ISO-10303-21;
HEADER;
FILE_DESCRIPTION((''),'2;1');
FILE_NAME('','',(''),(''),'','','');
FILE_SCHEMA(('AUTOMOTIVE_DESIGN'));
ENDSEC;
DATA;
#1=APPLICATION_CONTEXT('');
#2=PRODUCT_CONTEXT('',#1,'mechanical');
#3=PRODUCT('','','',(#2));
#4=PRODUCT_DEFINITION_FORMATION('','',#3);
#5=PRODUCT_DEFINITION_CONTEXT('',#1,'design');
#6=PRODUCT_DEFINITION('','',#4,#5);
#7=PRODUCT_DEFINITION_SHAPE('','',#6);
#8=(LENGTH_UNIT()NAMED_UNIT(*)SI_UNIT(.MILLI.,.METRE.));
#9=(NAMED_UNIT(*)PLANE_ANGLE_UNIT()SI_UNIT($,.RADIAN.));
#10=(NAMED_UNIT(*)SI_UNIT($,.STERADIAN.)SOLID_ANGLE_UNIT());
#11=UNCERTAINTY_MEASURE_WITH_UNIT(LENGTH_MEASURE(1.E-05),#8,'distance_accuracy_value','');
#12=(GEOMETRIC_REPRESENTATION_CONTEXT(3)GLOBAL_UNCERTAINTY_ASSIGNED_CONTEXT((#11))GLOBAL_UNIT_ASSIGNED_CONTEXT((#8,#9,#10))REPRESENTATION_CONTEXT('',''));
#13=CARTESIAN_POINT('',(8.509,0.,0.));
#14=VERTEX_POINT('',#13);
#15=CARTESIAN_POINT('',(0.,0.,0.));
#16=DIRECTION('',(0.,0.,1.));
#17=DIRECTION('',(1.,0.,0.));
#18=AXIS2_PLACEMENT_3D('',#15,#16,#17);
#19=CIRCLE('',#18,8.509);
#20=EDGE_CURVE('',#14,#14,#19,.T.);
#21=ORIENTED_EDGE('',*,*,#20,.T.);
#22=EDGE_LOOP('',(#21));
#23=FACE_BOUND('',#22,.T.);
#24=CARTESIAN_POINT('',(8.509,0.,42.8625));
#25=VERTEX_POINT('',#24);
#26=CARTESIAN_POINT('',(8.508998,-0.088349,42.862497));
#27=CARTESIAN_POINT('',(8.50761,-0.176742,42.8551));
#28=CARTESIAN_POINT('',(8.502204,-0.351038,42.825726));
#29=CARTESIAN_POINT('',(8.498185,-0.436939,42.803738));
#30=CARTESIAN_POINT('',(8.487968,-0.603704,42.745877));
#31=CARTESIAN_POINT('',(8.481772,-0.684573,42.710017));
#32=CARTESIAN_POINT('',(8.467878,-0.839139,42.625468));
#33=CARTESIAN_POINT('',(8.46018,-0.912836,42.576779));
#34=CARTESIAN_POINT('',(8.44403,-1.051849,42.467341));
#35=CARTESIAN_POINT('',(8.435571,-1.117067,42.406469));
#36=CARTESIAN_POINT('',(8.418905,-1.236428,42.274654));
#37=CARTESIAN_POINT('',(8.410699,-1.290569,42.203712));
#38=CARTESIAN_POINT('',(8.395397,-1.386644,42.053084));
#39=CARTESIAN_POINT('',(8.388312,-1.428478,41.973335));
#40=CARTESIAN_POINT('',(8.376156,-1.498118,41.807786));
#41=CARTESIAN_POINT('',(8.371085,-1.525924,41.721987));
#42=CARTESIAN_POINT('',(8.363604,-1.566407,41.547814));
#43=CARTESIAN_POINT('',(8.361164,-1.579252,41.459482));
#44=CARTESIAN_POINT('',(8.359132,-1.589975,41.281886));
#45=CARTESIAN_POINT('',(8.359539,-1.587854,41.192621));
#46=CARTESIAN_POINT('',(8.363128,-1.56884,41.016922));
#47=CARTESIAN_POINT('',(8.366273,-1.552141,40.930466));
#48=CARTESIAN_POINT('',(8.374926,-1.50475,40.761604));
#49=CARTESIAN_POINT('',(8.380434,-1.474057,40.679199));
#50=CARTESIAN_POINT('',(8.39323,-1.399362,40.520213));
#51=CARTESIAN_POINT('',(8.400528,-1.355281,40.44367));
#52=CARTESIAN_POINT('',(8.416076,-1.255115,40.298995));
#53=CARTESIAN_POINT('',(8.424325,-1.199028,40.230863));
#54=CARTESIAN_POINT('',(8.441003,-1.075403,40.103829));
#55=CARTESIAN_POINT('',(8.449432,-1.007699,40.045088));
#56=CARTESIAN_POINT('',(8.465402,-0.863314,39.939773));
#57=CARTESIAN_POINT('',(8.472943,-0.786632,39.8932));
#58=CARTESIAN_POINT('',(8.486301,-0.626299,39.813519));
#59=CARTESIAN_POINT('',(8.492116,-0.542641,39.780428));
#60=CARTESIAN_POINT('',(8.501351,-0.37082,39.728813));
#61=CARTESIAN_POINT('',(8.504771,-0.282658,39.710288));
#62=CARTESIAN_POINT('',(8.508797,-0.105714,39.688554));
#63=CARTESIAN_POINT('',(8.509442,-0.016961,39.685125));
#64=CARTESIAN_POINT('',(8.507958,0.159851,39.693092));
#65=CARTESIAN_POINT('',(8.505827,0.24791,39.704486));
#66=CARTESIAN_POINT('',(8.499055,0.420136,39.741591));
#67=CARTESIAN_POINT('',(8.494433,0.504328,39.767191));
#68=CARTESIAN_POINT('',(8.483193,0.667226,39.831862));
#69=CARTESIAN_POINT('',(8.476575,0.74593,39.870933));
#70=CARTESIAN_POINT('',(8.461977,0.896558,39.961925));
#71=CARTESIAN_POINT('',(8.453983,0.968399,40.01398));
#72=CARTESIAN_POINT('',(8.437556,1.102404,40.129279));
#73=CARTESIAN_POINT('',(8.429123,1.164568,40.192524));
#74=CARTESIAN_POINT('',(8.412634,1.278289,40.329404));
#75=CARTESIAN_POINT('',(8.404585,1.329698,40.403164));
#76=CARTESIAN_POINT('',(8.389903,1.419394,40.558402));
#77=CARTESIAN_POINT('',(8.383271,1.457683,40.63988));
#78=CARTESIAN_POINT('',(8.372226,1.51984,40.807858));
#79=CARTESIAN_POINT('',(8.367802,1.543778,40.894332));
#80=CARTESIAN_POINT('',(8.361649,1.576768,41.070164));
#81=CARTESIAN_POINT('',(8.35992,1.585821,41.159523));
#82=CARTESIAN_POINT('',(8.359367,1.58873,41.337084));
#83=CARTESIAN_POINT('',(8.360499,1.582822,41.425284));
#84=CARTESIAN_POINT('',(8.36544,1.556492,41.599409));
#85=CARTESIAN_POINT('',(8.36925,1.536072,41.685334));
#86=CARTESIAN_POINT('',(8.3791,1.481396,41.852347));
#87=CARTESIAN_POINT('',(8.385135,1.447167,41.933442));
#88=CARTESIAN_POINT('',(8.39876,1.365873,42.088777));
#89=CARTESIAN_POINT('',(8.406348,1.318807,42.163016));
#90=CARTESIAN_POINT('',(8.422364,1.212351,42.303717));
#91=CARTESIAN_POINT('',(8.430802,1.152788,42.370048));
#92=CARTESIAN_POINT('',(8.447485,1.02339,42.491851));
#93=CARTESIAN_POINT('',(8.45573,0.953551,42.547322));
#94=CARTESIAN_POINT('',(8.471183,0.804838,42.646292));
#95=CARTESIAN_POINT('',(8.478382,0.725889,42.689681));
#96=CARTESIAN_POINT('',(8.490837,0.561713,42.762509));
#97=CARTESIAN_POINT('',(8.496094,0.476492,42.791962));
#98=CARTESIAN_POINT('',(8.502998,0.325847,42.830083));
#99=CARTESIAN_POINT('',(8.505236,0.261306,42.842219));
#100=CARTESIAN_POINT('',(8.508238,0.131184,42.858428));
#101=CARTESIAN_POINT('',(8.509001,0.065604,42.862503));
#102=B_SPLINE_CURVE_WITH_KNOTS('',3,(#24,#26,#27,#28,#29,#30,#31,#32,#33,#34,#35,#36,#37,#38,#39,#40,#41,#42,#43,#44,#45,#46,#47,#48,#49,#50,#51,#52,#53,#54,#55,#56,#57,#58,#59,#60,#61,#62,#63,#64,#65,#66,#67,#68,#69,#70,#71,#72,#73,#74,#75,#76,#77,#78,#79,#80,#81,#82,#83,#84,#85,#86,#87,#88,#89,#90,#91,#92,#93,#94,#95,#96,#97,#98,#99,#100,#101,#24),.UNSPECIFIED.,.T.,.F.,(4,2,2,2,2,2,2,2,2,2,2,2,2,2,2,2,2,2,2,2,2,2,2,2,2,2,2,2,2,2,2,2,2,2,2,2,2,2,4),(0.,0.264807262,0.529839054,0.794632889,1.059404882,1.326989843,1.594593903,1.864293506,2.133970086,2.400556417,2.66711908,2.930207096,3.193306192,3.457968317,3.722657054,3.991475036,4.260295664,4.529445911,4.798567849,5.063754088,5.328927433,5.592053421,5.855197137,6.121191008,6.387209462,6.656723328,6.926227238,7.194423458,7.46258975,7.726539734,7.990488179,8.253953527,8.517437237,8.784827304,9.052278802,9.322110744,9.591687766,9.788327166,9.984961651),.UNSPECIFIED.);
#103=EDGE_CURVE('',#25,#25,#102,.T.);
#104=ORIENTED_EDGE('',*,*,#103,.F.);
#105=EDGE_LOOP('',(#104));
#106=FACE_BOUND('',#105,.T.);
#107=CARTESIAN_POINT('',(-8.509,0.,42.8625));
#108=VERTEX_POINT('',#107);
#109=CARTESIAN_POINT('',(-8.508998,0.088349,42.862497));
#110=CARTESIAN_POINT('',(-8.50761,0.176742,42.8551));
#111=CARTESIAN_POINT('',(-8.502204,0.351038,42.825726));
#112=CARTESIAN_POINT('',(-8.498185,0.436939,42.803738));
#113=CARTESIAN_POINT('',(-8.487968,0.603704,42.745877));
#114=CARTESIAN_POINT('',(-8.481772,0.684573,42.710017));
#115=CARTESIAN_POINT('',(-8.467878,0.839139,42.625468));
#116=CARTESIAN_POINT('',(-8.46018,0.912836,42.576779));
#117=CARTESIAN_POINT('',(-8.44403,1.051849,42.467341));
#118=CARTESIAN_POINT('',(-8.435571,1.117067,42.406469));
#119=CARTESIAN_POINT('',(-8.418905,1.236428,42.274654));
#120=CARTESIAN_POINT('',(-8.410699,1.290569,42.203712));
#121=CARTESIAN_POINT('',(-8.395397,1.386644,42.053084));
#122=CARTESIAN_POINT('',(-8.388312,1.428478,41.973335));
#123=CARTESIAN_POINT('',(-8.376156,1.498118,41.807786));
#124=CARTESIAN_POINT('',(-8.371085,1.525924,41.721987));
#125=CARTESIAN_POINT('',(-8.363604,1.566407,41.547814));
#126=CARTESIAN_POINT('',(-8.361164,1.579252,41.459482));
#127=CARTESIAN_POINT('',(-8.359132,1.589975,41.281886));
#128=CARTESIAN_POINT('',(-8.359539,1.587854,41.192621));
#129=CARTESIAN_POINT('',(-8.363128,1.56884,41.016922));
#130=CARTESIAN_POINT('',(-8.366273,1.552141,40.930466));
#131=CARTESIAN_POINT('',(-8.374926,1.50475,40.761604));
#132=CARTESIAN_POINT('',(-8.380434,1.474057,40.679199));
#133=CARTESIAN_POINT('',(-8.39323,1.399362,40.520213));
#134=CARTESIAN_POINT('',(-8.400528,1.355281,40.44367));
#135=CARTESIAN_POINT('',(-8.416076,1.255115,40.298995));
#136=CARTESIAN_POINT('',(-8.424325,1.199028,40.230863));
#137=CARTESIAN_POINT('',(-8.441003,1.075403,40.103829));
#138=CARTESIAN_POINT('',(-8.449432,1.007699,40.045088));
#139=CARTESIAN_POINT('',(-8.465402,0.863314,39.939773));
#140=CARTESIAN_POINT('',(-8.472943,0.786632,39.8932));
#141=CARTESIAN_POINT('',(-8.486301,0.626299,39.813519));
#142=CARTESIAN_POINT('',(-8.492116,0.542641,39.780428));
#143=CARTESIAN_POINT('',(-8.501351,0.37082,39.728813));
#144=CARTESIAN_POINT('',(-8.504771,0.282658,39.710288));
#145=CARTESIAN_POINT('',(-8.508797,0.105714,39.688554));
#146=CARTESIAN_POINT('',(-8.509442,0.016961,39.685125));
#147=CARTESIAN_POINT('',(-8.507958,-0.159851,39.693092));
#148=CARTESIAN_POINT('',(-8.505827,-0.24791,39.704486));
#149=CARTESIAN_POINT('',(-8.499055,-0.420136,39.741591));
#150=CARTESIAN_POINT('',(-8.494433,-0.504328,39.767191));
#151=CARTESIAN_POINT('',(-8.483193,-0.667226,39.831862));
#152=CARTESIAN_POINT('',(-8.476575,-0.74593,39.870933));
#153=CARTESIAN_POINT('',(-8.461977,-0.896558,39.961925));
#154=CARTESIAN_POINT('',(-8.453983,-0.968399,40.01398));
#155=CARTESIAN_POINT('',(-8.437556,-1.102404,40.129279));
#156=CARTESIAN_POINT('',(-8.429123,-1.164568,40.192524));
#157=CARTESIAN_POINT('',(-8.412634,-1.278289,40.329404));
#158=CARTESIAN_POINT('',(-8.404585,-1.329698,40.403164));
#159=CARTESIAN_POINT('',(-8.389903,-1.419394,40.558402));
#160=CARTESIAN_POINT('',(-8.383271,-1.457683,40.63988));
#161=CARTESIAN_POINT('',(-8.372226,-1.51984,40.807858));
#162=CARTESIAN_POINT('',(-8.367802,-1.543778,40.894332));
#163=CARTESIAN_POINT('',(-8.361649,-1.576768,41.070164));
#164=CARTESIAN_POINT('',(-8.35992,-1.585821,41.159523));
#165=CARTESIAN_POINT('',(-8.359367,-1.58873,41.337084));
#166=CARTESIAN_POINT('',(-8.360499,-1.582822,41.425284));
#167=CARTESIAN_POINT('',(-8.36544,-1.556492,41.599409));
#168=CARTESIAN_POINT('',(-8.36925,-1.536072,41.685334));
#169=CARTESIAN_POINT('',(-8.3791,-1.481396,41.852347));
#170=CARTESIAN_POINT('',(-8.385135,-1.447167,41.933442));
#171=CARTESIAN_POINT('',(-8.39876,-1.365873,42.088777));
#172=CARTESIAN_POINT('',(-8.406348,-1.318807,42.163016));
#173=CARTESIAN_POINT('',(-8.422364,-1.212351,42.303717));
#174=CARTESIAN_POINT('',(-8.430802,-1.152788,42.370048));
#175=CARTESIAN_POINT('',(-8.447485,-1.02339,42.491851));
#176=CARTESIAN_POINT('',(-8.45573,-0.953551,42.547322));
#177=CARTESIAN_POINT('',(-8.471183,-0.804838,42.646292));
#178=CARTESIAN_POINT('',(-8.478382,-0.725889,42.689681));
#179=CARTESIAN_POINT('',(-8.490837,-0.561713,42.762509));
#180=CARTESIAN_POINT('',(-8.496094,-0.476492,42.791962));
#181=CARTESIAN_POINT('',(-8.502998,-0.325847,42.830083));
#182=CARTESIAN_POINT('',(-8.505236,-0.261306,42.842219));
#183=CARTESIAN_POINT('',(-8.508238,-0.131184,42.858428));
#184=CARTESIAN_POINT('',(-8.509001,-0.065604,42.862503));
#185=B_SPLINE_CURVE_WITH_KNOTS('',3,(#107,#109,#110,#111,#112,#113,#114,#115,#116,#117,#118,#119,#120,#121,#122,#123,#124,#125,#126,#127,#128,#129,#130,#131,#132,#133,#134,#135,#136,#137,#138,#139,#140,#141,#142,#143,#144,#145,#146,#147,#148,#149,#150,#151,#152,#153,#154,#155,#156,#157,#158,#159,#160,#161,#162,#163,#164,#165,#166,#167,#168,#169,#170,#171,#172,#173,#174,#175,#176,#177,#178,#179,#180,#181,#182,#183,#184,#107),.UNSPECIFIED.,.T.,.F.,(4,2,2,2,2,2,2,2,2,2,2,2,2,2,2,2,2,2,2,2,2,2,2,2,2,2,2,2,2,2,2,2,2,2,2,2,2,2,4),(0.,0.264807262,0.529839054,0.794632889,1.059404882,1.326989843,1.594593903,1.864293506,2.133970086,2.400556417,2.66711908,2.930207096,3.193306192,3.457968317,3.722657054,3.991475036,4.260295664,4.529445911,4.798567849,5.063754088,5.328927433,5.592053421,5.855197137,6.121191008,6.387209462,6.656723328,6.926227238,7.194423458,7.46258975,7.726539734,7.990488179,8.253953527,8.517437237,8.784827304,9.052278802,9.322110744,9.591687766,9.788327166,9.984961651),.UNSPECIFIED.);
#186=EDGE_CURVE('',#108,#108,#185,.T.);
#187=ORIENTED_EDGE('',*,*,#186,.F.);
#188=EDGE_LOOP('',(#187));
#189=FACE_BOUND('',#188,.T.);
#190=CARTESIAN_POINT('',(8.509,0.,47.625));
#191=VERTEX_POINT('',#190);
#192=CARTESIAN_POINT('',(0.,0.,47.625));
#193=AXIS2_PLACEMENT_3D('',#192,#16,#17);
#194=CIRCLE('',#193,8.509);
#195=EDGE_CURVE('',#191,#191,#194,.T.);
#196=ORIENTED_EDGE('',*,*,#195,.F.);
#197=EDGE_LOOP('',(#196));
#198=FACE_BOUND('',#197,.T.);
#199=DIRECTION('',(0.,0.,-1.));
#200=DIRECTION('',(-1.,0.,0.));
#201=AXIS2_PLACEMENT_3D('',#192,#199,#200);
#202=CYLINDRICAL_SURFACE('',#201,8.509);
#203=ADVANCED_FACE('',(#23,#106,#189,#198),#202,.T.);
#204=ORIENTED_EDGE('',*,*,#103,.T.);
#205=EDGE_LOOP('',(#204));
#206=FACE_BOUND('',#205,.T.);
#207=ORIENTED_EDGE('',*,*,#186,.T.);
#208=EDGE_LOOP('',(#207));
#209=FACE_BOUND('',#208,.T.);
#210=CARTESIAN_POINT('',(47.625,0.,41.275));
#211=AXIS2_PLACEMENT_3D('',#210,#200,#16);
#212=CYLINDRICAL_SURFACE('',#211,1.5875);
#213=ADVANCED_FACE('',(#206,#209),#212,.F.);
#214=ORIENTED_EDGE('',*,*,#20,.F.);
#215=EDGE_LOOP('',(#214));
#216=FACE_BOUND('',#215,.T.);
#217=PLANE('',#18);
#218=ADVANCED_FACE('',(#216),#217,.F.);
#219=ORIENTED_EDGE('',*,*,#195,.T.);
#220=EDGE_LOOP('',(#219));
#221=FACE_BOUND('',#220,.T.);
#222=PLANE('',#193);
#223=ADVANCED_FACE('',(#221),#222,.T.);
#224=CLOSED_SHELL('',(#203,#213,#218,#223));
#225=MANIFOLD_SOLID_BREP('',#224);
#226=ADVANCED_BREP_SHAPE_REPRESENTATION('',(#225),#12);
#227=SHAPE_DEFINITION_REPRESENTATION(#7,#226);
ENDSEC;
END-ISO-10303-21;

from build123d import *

# Parameters (mm, degrees)
SKETCH1_R               = 8.509
BOSS_EXTRUDE1_DEPTH     = 47.625
CUT_EXTRUDE1_DEPTH      = 47.625
CUT_EXTRUDE1_DEPTH_BACK = 47.625
SKETCH2_R               = 1.5875


with BuildPart() as part:
    # Sketch1 → Boss-Extrude1 (new body)
    with BuildSketch(Plane.XY):
        Circle(SKETCH1_R)
    extrude(amount=BOSS_EXTRUDE1_DEPTH)

    # Sketch2 → Cut-Extrude1 (cut, two sides: drawn at the far end of the back side and taken through both)
    with BuildSketch(Plane(origin=(0, 0, 0), x_dir=(0, 0, -1), z_dir=(1, 0, 0)).offset(-CUT_EXTRUDE1_DEPTH_BACK)):
        with Locations((-41.275, 0)):
            Circle(SKETCH2_R)
    extrude(amount=CUT_EXTRUDE1_DEPTH + CUT_EXTRUDE1_DEPTH_BACK, mode=Mode.SUBTRACT)


solid = part.part
